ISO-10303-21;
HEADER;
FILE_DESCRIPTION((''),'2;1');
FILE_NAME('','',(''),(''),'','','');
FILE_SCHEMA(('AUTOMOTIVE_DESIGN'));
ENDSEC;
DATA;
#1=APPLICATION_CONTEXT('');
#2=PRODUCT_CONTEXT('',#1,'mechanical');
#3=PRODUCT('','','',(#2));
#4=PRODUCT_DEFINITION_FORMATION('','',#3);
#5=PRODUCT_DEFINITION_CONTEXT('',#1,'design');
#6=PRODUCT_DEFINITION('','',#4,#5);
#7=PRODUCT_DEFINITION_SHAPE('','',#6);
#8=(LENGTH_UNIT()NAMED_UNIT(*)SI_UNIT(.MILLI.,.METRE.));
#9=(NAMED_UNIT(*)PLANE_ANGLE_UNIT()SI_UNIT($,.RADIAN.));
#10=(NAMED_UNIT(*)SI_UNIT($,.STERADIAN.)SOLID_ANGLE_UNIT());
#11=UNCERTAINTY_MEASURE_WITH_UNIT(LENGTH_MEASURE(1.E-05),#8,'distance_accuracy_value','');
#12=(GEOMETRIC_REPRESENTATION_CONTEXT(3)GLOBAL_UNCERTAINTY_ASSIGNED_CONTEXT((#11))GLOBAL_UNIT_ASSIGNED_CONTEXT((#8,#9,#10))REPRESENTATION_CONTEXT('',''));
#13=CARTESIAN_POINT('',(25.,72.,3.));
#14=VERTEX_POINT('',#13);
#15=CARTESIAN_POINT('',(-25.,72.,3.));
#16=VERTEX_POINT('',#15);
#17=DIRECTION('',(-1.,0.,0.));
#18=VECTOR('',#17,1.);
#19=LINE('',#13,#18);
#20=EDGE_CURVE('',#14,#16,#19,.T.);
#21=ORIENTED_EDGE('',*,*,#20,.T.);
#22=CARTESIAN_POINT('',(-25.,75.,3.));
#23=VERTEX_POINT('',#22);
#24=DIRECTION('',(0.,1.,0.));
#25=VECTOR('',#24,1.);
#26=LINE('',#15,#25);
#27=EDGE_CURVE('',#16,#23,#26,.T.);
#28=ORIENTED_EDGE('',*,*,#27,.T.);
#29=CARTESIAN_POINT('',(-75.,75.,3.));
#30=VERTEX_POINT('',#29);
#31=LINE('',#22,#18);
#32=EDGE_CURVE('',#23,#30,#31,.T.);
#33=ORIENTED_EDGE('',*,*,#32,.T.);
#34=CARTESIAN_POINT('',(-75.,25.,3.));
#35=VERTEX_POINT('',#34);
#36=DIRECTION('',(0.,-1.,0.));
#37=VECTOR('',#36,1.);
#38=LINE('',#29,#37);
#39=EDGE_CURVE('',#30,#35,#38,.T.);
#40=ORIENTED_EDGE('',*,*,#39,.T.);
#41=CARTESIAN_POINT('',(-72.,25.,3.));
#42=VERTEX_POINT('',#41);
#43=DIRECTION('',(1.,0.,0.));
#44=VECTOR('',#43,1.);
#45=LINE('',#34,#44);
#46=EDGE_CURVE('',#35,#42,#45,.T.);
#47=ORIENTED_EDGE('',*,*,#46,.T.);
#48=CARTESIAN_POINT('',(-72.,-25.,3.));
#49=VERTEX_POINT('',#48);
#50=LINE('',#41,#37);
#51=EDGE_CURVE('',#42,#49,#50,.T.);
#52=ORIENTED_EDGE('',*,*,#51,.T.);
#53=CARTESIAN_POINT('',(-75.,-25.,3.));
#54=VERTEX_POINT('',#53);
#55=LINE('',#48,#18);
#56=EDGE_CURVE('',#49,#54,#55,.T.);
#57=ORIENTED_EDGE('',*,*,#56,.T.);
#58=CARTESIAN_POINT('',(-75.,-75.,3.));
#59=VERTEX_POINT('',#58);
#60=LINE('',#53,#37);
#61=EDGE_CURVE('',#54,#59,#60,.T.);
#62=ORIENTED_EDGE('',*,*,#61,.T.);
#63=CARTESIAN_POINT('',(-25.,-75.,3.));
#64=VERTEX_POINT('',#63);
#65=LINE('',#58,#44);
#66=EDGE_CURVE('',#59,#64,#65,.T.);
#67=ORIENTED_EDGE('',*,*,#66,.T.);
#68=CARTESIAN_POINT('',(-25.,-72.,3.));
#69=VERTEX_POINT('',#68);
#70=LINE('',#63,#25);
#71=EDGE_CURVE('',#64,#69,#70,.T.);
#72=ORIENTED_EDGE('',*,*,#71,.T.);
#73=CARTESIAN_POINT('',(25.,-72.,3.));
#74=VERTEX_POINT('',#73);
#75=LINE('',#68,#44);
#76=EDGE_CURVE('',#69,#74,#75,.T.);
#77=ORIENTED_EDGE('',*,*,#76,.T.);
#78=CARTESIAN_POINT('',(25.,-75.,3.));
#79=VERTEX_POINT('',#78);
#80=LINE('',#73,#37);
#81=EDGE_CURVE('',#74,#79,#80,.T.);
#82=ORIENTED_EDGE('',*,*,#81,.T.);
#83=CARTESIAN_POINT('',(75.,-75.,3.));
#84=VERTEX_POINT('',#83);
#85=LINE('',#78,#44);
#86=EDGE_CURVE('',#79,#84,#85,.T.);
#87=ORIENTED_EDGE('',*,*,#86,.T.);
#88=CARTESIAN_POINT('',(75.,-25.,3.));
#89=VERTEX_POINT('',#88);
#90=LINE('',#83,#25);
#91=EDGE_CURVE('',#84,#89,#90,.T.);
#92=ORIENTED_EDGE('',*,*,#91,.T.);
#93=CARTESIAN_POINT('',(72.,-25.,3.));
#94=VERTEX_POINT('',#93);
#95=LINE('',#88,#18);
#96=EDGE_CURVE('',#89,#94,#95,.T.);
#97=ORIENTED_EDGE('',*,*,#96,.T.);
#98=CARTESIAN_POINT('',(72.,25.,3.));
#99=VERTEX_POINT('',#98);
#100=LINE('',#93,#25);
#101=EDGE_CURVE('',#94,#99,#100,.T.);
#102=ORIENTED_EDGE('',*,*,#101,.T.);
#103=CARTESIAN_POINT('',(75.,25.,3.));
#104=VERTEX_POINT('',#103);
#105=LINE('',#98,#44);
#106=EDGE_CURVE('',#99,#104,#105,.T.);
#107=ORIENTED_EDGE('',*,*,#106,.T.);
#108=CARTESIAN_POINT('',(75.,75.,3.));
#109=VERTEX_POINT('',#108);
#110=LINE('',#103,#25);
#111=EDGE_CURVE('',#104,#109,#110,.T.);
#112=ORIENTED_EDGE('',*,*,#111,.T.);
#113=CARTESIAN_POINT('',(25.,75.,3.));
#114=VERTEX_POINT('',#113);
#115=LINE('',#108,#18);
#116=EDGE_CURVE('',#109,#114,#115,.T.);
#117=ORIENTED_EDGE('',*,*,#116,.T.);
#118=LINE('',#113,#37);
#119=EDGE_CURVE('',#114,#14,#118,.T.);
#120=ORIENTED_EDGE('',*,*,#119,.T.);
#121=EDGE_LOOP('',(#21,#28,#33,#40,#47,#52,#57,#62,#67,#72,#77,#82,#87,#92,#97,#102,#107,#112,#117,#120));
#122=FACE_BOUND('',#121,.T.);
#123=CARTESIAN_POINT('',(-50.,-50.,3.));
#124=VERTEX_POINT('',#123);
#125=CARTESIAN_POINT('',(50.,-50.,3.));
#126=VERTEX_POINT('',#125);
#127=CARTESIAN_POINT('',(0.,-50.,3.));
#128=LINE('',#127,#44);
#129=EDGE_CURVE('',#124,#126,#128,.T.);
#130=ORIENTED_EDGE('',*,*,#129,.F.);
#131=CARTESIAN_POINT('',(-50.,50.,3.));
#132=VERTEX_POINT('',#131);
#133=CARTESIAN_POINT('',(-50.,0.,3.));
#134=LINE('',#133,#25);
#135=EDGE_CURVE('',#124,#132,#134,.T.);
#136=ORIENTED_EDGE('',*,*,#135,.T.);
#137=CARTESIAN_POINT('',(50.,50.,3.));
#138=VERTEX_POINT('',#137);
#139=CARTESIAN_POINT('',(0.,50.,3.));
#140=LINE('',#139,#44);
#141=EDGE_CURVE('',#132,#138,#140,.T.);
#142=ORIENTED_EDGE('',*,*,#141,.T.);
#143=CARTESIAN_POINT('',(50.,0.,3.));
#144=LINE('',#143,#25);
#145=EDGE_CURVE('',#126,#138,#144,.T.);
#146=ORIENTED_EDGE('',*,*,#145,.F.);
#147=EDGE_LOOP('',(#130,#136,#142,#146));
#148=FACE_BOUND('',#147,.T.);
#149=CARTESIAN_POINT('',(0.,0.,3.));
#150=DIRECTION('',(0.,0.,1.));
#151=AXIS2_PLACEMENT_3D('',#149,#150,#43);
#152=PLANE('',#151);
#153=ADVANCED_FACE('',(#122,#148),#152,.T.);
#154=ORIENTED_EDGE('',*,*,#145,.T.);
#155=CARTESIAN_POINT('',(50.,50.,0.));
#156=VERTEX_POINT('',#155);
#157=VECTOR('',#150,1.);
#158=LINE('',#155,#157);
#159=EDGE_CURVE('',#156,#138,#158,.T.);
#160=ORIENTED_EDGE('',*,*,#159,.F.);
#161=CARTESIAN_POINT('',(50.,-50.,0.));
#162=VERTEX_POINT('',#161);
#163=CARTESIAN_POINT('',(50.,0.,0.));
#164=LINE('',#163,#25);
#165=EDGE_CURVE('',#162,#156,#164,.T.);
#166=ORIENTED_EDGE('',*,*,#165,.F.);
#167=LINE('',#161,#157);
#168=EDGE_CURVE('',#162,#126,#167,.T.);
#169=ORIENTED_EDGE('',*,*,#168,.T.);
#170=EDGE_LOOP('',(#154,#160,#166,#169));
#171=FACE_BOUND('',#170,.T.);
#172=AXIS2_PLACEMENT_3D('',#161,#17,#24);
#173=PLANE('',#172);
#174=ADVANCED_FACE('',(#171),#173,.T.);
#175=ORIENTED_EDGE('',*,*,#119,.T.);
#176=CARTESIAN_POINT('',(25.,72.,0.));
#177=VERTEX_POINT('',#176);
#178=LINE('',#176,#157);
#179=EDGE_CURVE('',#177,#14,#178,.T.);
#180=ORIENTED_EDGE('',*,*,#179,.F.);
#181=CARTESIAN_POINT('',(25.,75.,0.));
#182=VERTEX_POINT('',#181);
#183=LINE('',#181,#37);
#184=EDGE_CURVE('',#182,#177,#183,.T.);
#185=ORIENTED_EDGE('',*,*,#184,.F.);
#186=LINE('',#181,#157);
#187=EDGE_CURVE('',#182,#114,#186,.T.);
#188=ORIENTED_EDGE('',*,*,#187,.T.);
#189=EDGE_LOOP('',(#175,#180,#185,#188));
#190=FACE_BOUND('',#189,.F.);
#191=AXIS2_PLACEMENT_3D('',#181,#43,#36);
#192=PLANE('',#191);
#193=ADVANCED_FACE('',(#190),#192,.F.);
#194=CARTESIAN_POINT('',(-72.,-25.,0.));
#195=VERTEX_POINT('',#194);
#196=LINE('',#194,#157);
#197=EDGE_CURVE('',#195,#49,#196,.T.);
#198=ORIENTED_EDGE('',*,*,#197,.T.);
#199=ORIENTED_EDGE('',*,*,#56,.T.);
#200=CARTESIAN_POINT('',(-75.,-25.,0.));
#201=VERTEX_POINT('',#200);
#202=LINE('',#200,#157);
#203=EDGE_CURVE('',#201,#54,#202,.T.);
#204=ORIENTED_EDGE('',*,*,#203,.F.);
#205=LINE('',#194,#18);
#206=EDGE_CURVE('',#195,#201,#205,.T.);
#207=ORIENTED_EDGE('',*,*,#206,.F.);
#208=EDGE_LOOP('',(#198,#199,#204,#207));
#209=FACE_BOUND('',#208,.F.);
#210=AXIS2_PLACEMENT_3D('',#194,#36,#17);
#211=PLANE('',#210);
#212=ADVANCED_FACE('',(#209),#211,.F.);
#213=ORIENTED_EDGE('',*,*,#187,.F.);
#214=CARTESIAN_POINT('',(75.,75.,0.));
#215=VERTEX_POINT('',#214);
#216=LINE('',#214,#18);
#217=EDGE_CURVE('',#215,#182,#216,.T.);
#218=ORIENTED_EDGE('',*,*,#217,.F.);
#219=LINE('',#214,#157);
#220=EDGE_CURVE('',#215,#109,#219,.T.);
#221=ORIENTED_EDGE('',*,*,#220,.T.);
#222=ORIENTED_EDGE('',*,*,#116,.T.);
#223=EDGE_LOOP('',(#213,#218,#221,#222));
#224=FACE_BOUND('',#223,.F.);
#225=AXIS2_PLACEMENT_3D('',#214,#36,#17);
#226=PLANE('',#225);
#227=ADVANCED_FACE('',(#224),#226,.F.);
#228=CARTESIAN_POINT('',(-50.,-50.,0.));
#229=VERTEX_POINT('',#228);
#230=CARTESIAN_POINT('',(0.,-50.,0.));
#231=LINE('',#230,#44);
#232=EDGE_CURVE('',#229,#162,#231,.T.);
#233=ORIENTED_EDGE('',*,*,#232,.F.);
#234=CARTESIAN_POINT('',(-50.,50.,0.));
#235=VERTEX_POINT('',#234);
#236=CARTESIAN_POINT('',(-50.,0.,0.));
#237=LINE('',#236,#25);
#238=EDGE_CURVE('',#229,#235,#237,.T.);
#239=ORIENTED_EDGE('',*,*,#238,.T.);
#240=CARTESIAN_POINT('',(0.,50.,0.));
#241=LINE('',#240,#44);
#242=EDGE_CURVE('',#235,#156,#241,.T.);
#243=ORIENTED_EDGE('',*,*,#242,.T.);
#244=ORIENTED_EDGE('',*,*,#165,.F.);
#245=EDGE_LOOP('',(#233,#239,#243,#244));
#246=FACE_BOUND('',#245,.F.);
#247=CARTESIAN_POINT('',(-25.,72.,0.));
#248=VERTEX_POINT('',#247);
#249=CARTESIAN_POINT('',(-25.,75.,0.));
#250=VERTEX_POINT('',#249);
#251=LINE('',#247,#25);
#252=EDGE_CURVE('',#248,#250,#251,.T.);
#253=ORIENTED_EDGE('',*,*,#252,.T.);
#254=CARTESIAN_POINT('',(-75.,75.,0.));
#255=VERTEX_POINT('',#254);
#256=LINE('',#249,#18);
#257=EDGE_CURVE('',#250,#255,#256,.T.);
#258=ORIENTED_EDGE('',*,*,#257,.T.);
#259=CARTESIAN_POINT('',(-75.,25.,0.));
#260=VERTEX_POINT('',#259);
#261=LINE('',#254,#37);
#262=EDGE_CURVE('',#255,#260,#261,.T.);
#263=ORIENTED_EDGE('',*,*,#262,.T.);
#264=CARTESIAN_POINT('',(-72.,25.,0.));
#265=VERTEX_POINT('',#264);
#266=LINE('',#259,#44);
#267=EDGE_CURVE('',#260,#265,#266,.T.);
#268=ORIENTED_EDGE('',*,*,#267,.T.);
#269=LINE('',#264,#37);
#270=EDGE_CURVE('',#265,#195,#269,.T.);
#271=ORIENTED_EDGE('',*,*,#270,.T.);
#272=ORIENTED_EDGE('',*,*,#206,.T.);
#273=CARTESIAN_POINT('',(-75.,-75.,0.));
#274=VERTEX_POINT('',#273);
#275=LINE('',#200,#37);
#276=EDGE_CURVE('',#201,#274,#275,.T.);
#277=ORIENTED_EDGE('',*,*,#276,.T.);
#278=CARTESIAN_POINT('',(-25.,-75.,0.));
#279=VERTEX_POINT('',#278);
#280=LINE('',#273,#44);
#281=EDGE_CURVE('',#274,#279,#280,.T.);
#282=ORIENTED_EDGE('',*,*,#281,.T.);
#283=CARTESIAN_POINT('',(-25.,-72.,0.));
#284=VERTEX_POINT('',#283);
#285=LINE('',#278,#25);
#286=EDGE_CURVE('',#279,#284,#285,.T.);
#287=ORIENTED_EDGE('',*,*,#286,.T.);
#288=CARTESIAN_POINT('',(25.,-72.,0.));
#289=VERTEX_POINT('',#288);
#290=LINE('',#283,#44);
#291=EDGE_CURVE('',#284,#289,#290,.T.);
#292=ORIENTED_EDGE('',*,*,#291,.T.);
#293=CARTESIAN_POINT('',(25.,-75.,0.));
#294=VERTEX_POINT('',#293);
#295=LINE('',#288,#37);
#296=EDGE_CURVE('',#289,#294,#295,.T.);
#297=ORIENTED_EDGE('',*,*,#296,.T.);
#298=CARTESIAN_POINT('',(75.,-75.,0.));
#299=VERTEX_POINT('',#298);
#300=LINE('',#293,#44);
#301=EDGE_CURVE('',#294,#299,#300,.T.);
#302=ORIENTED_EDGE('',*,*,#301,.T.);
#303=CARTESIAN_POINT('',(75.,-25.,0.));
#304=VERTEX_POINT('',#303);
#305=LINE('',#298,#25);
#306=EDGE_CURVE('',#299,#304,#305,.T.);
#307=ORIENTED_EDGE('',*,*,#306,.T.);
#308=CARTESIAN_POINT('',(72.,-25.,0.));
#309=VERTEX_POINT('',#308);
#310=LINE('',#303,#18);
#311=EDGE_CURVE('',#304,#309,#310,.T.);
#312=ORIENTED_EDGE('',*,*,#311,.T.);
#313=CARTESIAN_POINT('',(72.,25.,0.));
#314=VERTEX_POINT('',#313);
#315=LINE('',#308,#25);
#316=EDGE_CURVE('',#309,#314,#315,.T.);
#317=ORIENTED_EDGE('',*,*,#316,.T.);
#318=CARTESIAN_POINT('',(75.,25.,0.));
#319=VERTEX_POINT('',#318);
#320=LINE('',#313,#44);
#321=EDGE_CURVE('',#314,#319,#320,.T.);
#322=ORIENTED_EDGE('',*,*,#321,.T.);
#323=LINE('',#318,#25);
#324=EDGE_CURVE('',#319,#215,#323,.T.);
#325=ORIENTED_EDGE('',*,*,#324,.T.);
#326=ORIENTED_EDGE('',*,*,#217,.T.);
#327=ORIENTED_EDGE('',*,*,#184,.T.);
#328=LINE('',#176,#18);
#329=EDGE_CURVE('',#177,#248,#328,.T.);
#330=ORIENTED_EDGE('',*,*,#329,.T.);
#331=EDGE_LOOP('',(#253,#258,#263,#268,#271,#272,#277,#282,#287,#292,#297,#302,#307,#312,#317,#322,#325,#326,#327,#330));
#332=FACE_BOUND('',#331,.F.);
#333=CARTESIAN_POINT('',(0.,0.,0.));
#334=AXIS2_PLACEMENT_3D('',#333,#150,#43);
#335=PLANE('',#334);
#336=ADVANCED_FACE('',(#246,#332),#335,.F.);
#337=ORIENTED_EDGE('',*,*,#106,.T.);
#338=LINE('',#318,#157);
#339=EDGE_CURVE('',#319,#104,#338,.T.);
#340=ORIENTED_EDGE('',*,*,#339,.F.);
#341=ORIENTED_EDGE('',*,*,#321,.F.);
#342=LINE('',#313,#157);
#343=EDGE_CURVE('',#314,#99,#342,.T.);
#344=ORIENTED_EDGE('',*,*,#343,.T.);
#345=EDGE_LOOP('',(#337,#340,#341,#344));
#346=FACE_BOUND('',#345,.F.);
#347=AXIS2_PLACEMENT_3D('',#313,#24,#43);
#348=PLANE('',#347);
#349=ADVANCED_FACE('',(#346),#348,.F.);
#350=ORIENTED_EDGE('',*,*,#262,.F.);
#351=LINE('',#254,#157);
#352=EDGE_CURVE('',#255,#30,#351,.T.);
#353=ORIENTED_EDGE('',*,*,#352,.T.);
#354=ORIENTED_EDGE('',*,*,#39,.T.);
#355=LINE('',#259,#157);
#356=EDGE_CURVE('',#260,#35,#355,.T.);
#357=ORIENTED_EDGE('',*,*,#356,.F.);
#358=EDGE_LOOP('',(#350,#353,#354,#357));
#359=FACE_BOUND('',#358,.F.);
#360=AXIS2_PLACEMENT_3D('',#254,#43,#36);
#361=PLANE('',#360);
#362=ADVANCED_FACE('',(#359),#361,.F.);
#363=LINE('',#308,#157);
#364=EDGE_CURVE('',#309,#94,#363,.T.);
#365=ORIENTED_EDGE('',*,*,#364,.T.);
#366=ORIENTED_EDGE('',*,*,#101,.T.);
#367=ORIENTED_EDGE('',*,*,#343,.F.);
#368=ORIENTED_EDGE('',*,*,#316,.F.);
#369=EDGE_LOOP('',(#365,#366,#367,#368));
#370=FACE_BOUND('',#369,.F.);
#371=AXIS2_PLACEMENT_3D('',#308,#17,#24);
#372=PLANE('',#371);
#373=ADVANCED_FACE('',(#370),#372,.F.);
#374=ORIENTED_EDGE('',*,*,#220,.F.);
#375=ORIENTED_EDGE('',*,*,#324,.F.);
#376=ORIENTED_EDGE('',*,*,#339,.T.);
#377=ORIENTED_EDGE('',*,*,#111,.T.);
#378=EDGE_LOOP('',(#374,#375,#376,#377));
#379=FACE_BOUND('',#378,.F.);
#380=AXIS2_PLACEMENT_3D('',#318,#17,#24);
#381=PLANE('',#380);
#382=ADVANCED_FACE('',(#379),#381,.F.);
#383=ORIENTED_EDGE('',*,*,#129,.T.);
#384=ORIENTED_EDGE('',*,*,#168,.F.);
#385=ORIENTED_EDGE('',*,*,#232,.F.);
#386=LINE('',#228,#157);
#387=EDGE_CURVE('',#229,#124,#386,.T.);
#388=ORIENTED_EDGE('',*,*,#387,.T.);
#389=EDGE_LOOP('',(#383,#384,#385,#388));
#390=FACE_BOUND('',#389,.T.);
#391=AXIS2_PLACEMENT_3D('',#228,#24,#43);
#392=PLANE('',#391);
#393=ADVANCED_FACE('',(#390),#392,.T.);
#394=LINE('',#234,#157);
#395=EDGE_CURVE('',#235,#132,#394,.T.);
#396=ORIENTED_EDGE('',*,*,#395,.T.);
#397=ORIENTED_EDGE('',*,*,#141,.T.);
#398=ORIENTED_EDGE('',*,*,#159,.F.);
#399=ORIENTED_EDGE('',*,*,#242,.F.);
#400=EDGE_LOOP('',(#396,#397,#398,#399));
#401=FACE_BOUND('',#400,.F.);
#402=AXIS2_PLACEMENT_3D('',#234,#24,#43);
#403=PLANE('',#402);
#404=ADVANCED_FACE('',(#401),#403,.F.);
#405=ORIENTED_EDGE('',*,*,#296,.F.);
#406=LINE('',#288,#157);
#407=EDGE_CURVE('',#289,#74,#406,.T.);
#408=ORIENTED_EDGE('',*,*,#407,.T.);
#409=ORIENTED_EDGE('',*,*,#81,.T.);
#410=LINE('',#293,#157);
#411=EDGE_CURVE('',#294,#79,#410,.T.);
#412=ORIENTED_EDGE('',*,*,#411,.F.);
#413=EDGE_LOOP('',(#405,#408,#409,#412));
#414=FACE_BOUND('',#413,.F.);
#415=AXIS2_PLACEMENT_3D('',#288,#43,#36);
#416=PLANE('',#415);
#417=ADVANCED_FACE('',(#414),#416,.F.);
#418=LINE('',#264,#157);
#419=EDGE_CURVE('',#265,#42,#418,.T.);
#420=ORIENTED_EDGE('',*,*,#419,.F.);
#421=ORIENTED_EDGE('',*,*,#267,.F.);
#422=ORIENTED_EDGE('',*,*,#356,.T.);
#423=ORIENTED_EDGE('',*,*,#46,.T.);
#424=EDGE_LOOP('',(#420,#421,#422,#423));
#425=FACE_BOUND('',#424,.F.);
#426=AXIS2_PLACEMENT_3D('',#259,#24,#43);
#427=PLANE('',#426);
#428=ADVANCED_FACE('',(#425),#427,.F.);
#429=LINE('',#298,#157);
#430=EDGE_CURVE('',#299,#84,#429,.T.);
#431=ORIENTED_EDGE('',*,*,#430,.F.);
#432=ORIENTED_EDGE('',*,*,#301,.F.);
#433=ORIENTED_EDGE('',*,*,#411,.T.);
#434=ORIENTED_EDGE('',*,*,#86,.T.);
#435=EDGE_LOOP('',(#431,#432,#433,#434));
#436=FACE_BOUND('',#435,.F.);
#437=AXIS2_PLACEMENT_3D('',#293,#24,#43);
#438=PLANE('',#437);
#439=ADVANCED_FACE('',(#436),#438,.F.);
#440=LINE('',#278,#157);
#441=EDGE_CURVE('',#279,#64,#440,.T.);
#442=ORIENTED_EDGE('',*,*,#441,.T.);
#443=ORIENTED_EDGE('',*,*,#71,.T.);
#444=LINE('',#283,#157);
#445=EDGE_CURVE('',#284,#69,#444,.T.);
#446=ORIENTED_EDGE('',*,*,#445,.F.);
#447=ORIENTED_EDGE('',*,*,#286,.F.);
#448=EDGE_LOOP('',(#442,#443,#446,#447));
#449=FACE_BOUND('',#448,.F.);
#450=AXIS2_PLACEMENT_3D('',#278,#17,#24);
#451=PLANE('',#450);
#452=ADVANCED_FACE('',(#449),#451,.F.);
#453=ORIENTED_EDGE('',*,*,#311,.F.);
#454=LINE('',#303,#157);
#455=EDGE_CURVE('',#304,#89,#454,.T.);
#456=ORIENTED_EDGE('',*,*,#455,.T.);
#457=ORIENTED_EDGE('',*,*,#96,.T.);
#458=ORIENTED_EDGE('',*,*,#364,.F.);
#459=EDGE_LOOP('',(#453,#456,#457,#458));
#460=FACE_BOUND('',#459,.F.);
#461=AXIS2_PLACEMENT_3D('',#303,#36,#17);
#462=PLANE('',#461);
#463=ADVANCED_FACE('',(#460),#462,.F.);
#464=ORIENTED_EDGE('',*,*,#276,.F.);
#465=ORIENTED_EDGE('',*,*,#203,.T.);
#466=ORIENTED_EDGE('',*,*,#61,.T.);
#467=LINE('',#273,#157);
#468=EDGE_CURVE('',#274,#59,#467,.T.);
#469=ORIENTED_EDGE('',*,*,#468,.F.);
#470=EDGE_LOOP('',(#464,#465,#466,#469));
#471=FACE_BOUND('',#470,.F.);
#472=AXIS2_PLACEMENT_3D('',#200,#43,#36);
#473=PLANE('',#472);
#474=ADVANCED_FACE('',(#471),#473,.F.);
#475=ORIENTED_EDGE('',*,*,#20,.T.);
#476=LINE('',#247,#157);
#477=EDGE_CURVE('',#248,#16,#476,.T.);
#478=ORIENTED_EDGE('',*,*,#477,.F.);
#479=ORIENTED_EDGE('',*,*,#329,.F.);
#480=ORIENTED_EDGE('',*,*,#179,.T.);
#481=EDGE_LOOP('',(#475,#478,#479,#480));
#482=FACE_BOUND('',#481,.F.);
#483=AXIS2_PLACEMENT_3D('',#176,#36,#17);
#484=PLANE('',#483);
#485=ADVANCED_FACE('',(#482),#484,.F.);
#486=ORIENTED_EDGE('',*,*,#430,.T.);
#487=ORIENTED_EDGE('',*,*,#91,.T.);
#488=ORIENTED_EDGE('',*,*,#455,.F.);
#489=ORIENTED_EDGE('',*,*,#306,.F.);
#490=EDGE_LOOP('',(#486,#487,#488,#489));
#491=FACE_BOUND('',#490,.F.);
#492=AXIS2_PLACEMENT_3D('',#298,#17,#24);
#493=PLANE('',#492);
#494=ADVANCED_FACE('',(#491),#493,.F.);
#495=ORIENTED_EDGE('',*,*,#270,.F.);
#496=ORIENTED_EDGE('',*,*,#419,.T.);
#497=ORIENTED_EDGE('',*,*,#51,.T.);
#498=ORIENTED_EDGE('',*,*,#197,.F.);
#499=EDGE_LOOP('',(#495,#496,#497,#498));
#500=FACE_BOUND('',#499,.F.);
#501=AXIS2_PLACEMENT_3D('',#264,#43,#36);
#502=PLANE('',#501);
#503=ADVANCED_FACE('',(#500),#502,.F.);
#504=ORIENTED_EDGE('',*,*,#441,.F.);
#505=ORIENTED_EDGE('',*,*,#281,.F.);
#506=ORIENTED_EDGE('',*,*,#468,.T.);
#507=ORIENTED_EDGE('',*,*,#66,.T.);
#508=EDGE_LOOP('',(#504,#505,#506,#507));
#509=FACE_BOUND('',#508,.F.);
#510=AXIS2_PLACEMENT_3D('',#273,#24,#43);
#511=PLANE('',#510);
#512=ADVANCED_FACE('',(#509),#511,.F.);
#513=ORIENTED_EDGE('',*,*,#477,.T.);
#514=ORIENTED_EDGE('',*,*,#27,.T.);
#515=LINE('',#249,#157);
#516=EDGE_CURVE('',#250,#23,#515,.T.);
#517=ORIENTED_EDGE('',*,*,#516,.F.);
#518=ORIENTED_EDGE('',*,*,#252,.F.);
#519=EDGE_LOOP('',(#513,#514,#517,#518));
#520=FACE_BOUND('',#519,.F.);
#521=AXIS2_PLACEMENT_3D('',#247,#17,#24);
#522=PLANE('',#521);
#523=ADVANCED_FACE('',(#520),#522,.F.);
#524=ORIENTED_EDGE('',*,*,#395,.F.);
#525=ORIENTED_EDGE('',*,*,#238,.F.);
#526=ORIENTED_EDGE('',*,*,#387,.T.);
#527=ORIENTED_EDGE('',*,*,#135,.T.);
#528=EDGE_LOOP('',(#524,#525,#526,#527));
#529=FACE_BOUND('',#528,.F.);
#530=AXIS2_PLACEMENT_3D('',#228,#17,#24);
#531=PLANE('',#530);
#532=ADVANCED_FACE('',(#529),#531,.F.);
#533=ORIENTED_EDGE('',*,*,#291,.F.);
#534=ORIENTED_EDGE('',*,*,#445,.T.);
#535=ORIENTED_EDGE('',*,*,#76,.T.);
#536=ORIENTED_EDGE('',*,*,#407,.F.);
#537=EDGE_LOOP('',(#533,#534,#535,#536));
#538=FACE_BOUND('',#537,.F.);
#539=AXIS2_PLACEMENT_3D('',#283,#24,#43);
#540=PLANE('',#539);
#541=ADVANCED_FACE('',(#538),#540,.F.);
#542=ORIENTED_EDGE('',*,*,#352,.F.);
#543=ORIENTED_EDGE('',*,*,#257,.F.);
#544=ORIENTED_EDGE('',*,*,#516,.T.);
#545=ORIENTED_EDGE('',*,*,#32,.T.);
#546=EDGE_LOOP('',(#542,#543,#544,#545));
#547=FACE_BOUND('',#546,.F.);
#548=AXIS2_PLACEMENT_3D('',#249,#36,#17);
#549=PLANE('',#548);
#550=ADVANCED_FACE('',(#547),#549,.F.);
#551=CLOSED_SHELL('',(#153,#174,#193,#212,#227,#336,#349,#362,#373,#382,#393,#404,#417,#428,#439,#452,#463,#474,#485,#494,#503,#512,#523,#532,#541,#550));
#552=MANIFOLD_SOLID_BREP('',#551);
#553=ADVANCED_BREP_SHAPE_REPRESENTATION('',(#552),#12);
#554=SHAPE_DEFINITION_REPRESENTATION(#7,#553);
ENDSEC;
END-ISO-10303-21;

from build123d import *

# Parameters (mm, degrees)
F0_W     = 100
F0_H     = 100
F1_DEPTH = 3


with BuildPart() as f1:
    # F0 (on Top) → F1 (new body)
    with BuildSketch(Plane.XY):
        Polygon((75, 25), (75, 75), (25, 75), (25, 72), (-25, 72), (-25, 75), (-75, 75), (-75, 25), (-72, 25), (-72, -25), (-75, -25), (-75, -75), (-25, -75), (-25, -72), (25, -72), (25, -75), (75, -75), (75, -25), (72, -25), (72, 25), align=None)
        Rectangle(F0_W, F0_H, mode=Mode.SUBTRACT)
    extrude(amount=F1_DEPTH)


solid = f1.part
